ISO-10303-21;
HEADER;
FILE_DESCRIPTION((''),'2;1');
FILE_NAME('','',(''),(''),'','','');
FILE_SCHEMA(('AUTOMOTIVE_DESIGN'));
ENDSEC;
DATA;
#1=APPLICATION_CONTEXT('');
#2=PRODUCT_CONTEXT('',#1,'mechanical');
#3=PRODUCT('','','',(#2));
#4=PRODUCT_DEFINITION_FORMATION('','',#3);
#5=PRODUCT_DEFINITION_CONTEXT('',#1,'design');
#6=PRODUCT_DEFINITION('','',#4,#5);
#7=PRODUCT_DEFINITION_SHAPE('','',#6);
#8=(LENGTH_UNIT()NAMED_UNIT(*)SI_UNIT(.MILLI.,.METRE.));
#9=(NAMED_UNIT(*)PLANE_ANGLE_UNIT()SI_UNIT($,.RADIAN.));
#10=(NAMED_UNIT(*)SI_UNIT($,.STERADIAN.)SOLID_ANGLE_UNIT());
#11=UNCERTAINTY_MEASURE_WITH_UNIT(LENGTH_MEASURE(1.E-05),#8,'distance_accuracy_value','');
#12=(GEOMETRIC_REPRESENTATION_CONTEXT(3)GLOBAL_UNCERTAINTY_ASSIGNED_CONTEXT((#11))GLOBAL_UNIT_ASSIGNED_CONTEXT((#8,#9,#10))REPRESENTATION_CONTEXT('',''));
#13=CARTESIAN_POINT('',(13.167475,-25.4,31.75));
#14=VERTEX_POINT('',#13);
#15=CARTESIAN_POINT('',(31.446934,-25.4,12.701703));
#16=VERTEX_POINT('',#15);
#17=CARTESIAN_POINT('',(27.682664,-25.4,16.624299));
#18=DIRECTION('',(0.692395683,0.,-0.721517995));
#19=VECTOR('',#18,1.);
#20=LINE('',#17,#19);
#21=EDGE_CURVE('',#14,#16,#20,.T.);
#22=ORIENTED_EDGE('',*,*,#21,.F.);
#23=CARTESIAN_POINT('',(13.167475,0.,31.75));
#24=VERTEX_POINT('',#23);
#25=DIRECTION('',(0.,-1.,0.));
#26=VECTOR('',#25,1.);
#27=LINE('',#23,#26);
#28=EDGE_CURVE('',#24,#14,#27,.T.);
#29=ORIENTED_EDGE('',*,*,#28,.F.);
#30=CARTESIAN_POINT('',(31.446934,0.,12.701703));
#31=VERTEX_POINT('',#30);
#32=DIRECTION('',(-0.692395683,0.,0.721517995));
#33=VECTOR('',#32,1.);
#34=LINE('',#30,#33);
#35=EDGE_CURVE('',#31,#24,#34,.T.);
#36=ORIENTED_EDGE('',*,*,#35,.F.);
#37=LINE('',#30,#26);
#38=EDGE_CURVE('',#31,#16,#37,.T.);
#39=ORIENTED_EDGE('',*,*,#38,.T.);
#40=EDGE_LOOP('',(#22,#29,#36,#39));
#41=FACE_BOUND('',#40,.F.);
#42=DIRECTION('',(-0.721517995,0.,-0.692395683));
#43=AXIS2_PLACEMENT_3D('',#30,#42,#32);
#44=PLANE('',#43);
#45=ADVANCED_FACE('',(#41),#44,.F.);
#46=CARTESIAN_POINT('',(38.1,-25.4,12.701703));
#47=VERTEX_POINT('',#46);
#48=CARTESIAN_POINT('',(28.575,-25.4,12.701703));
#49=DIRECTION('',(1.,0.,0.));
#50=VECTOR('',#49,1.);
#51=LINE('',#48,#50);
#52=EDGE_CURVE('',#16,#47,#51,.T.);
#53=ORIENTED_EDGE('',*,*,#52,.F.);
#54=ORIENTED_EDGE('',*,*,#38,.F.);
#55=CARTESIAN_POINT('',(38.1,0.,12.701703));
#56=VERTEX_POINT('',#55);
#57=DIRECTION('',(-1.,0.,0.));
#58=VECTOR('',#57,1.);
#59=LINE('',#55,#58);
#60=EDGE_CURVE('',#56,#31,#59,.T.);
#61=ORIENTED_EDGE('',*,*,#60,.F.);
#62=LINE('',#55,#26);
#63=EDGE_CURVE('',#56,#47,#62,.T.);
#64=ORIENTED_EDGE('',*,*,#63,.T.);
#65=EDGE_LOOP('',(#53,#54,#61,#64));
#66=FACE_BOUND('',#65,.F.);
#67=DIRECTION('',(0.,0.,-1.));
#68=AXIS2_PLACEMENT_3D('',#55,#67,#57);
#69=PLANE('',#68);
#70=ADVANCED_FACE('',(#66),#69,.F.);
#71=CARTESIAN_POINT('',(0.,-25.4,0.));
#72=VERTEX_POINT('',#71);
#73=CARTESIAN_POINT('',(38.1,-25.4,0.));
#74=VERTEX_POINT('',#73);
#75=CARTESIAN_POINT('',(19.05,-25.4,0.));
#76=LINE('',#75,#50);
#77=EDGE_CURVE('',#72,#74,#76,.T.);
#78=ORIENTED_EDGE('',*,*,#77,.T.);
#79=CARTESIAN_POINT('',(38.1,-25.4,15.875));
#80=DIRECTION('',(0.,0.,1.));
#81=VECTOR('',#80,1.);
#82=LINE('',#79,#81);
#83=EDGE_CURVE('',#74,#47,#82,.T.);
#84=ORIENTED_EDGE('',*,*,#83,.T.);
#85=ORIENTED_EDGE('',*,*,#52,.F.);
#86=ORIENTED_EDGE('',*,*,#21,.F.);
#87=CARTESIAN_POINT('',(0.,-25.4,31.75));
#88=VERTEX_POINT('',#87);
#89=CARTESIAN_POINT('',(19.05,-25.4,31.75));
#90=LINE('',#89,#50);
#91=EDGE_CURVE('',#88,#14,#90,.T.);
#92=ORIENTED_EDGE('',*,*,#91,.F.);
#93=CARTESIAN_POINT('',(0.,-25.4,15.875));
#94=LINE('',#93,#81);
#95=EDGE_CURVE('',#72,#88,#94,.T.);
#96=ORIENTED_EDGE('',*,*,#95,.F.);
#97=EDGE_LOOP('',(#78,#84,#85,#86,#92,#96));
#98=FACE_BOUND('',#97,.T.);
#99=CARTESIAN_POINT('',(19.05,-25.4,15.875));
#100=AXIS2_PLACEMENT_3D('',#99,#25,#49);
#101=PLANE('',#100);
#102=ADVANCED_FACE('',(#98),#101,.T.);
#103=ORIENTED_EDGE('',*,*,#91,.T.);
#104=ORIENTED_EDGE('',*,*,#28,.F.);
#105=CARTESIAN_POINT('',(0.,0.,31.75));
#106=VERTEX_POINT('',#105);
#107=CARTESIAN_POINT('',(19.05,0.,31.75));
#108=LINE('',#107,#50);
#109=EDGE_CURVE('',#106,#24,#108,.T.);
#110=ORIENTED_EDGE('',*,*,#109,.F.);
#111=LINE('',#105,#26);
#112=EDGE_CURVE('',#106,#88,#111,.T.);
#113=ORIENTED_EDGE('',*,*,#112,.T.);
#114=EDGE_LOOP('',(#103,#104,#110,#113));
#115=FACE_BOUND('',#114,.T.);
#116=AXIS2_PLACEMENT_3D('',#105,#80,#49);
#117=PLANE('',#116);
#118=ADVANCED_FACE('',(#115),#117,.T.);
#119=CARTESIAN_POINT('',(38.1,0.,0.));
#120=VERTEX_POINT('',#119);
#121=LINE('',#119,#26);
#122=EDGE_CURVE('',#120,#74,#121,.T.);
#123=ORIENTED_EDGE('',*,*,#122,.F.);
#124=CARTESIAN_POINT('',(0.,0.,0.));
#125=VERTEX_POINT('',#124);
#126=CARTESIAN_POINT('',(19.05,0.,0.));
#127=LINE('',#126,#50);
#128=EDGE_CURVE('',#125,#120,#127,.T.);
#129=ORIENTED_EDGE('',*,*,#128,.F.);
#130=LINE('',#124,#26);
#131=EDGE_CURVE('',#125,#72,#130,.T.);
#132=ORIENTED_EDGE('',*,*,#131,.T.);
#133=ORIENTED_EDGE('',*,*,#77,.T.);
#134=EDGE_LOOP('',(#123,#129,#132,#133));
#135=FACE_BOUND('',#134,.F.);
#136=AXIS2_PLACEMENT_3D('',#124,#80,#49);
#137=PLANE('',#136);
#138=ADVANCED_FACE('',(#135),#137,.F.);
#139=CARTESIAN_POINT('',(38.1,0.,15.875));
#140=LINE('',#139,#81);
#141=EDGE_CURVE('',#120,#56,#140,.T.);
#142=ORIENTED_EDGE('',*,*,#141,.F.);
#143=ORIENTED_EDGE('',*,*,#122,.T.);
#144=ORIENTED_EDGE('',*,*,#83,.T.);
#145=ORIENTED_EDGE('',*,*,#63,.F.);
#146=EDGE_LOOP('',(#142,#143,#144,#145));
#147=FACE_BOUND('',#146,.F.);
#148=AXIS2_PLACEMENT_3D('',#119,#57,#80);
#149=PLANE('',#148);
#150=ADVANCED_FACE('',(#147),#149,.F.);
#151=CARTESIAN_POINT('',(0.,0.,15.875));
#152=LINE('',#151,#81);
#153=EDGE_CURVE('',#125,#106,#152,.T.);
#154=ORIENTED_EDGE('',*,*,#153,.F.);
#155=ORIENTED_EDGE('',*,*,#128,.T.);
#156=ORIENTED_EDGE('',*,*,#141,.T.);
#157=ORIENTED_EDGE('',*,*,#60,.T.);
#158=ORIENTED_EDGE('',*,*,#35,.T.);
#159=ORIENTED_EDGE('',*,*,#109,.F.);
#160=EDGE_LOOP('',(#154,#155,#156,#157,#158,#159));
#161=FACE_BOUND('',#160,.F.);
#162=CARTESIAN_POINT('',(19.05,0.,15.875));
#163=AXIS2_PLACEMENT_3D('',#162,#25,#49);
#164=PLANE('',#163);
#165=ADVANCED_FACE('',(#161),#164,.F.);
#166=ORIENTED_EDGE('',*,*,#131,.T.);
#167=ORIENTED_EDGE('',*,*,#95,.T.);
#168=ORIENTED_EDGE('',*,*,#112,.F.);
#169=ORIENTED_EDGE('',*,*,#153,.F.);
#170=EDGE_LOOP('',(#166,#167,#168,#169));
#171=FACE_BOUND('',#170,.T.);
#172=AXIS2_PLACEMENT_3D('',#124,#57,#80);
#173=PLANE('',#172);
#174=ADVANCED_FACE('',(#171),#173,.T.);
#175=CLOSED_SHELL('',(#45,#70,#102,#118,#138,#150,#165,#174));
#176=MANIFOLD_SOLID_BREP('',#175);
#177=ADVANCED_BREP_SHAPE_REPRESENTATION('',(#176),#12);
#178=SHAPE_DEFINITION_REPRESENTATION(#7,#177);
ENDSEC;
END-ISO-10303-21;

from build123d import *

# Parameters (mm, degrees)
F0_W     = 38.1
F0_H     = 31.75
F1_DEPTH = 25.4
F3_DEPTH = 25.401


with BuildPart() as f1:
    # F0 (on Front) → F1 (new body)
    with BuildSketch(Plane.XZ):
        with Locations((19.05, 15.875)):
            Rectangle(F0_W, F0_H)
    extrude(amount=F1_DEPTH)

    # F2 (on face) → F3 (cut, through all)
    with BuildSketch(Plane(origin=(0, 0, 0), x_dir=(-1, 0, 0), z_dir=(0, 1, 0))):
        Polygon((-31.446934, 12.701703), (-13.167475, 31.75), (-38.1, 31.75), (-38.1, 12.701703), align=None)
    extrude(amount=-F3_DEPTH, mode=Mode.SUBTRACT)


solid = f1.part
